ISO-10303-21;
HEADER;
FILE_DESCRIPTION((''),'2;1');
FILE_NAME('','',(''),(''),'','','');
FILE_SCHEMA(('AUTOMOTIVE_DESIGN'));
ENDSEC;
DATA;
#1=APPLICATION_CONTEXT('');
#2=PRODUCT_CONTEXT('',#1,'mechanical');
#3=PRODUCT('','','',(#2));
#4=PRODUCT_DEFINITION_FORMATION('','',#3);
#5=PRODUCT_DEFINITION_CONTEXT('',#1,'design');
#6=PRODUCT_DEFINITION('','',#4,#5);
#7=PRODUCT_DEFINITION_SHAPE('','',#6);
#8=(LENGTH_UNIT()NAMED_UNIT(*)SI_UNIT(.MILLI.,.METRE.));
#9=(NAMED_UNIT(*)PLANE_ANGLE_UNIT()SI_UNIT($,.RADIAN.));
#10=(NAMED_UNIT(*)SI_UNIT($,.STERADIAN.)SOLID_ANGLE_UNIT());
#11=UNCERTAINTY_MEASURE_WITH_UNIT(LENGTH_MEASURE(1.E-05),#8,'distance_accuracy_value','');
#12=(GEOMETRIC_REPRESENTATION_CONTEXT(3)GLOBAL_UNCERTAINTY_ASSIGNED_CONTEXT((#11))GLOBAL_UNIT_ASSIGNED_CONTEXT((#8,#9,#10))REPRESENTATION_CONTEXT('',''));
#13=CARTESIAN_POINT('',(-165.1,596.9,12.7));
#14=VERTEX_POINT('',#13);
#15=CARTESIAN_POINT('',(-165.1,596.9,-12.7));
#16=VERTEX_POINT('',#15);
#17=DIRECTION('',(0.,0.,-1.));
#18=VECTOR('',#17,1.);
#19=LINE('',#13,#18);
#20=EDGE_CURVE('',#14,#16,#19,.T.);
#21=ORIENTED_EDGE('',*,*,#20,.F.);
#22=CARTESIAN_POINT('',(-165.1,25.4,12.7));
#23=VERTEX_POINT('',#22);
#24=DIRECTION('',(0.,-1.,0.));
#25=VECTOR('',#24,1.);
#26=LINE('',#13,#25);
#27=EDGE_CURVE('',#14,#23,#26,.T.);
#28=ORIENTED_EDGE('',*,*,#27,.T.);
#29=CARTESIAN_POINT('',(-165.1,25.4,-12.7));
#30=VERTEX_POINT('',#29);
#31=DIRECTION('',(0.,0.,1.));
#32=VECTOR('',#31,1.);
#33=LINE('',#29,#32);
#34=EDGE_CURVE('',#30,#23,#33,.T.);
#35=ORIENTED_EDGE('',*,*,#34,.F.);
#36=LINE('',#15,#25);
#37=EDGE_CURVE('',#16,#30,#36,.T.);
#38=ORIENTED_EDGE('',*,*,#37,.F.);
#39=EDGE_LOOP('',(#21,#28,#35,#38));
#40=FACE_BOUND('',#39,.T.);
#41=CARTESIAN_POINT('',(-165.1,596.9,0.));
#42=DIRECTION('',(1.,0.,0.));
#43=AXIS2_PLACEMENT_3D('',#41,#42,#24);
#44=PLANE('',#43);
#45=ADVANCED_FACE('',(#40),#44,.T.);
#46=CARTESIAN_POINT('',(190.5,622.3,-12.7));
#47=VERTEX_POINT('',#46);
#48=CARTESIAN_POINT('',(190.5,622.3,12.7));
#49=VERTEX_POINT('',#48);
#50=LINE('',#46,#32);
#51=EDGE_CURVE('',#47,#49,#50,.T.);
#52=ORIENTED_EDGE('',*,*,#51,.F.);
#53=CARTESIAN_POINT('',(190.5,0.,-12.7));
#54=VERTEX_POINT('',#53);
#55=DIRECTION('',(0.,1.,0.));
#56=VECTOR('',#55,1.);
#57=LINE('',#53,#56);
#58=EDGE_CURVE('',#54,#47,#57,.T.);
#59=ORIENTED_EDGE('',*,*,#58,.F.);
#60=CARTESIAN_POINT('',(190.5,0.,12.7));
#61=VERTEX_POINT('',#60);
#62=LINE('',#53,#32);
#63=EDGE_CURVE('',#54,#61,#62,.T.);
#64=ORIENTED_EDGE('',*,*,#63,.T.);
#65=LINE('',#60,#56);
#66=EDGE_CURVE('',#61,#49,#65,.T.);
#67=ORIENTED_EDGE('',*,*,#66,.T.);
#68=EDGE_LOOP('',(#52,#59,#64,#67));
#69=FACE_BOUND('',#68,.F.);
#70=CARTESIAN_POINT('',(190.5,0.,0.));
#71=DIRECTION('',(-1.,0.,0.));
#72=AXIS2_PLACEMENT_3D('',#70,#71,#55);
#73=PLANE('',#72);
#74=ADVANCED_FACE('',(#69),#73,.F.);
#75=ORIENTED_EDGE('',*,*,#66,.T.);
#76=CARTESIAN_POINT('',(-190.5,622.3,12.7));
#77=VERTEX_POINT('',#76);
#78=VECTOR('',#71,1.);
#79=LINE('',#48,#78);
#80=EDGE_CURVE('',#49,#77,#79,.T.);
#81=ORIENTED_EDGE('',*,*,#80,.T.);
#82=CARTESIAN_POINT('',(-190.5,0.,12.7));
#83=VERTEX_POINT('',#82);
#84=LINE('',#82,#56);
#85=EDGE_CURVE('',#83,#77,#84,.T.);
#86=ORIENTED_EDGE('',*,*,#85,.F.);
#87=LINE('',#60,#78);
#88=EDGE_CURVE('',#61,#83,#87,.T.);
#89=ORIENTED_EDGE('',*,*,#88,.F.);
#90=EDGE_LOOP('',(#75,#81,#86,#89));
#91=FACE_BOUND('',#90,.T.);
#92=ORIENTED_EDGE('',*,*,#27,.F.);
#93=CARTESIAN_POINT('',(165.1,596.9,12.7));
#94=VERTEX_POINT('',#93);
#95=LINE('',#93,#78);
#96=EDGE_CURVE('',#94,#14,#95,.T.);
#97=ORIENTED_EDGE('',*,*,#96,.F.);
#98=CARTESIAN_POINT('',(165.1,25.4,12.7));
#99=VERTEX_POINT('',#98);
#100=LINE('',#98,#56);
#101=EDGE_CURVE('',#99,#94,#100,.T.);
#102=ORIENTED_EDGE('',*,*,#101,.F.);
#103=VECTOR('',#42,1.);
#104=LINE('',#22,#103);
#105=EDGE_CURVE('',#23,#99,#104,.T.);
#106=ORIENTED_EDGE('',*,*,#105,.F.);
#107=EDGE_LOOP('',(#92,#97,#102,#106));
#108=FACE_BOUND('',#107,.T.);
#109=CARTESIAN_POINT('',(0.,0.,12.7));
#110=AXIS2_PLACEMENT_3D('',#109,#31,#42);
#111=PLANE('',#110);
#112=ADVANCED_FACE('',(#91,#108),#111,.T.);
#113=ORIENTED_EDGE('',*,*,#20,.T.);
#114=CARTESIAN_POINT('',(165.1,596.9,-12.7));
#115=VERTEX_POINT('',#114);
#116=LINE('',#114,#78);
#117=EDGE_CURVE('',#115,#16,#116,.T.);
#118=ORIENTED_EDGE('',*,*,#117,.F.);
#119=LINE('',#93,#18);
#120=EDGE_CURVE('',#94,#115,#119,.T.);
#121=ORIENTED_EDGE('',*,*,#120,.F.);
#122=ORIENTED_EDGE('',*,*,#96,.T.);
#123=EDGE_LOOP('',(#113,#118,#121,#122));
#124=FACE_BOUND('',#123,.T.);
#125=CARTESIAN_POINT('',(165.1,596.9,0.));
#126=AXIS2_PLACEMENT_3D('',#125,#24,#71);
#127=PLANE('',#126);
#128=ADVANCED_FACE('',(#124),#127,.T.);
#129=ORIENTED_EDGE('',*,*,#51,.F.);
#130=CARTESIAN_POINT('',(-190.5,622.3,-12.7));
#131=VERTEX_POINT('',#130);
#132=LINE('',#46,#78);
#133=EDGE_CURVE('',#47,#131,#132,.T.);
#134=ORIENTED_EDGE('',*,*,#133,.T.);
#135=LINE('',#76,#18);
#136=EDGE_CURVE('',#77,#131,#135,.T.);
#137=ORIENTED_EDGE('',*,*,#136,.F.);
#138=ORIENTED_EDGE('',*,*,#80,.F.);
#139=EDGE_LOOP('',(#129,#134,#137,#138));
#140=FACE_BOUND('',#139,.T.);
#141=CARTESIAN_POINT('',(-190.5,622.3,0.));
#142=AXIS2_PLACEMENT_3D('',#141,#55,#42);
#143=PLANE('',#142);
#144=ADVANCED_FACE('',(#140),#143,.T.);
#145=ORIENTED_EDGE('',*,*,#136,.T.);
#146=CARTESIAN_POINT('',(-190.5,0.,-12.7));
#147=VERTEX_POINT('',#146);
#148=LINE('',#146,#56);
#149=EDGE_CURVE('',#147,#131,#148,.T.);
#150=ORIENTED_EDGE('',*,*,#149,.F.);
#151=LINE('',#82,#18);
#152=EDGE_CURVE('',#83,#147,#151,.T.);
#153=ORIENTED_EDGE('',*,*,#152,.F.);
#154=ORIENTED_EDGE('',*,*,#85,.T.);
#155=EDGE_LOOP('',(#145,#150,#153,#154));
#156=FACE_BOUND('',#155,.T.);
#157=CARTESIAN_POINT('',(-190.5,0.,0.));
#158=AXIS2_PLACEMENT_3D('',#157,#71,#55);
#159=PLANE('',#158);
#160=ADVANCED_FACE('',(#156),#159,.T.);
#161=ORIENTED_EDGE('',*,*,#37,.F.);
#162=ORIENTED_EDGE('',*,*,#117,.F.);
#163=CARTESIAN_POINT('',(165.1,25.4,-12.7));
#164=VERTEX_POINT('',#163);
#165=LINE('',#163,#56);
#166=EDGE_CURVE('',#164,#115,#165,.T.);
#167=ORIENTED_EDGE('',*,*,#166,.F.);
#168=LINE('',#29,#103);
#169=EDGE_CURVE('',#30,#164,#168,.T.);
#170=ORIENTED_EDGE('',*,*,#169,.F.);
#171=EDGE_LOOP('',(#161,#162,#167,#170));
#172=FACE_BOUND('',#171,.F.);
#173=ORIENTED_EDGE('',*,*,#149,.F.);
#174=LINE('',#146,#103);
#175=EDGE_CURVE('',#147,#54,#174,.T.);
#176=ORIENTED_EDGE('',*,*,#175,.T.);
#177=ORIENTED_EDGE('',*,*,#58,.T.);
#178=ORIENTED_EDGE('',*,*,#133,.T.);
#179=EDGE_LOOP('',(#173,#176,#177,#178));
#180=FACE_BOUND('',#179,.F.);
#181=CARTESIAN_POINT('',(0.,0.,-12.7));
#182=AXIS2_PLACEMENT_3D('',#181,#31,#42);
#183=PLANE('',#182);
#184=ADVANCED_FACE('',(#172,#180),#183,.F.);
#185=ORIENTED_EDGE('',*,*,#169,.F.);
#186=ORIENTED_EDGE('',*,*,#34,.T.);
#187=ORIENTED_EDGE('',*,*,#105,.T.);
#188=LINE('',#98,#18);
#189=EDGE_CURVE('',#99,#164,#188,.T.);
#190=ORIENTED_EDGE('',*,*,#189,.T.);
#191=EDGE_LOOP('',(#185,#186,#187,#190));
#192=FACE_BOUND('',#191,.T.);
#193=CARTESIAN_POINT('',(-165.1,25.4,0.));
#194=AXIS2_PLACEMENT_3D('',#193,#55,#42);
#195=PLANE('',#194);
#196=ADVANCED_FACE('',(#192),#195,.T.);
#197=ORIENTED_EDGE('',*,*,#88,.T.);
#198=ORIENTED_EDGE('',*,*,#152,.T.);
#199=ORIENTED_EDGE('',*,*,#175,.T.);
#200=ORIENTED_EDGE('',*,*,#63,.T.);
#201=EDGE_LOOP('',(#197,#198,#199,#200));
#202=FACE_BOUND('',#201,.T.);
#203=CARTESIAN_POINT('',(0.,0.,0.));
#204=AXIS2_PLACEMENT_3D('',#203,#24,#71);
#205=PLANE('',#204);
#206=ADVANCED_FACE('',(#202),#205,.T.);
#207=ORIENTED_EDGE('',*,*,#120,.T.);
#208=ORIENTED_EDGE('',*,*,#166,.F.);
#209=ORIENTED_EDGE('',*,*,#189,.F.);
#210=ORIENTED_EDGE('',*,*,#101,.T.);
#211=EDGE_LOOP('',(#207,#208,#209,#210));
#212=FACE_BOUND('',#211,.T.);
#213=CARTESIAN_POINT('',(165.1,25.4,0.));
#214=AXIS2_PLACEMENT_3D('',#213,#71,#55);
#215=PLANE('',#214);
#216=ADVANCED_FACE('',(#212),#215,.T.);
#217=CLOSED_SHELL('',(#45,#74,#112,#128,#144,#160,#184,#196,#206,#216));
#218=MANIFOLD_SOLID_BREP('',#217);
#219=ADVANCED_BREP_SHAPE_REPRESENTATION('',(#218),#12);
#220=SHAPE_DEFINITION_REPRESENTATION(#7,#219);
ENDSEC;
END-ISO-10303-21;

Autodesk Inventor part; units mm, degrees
ref_plane "YZ Plane" through (0, 0, 0) normal (1, 0, 0) x (0, 1, 0)
ref_plane "XZ Plane" through (0, 0, 0) normal (0, 1, 0) x (-1, 0, 0)
ref_plane "XY Plane" through (0, 0, 0) normal (0, 0, 1) x (1, 0, 0)
sketch "Sketch1" plane through (0, 0, 0) normal (0, 0, 1) x (1, 0, 0)
  line L0 (0, 0) -> (190.5, 0)
  line L1 (190.5, 0) -> (190.5, 622.3)
  line L2 (190.5, 622.3) -> (0, 622.3)
  line L3 (0, 0) -> (0, 622.3) construction
  line L4 (0, 0) -> (-190.5, 0)
  line L5 (-190.5, 0) -> (-190.5, 622.3)
  line L6 (-190.5, 622.3) -> (0, 622.3)
  line L7 (-165.1, 25.4) -> (165.1, 25.4)
  line L8 (165.1, 25.4) -> (165.1, 596.9)
  line L9 (165.1, 596.9) -> (-165.1, 596.9)
  line L10 (-165.1, 596.9) -> (-165.1, 25.4)
  dimension "d1" = 622.3
  dimension "d2" = 381
  dimension "d3" = 25.4
  dimension "d4" = 25.4
  dimension "d5" = 25.4
  dimension "d6" = 25.4
extrude "Extrusion1" add sketch "Sketch1" along normal mid plane 25.4
properties part number "primative1stStageForShortRobot"
